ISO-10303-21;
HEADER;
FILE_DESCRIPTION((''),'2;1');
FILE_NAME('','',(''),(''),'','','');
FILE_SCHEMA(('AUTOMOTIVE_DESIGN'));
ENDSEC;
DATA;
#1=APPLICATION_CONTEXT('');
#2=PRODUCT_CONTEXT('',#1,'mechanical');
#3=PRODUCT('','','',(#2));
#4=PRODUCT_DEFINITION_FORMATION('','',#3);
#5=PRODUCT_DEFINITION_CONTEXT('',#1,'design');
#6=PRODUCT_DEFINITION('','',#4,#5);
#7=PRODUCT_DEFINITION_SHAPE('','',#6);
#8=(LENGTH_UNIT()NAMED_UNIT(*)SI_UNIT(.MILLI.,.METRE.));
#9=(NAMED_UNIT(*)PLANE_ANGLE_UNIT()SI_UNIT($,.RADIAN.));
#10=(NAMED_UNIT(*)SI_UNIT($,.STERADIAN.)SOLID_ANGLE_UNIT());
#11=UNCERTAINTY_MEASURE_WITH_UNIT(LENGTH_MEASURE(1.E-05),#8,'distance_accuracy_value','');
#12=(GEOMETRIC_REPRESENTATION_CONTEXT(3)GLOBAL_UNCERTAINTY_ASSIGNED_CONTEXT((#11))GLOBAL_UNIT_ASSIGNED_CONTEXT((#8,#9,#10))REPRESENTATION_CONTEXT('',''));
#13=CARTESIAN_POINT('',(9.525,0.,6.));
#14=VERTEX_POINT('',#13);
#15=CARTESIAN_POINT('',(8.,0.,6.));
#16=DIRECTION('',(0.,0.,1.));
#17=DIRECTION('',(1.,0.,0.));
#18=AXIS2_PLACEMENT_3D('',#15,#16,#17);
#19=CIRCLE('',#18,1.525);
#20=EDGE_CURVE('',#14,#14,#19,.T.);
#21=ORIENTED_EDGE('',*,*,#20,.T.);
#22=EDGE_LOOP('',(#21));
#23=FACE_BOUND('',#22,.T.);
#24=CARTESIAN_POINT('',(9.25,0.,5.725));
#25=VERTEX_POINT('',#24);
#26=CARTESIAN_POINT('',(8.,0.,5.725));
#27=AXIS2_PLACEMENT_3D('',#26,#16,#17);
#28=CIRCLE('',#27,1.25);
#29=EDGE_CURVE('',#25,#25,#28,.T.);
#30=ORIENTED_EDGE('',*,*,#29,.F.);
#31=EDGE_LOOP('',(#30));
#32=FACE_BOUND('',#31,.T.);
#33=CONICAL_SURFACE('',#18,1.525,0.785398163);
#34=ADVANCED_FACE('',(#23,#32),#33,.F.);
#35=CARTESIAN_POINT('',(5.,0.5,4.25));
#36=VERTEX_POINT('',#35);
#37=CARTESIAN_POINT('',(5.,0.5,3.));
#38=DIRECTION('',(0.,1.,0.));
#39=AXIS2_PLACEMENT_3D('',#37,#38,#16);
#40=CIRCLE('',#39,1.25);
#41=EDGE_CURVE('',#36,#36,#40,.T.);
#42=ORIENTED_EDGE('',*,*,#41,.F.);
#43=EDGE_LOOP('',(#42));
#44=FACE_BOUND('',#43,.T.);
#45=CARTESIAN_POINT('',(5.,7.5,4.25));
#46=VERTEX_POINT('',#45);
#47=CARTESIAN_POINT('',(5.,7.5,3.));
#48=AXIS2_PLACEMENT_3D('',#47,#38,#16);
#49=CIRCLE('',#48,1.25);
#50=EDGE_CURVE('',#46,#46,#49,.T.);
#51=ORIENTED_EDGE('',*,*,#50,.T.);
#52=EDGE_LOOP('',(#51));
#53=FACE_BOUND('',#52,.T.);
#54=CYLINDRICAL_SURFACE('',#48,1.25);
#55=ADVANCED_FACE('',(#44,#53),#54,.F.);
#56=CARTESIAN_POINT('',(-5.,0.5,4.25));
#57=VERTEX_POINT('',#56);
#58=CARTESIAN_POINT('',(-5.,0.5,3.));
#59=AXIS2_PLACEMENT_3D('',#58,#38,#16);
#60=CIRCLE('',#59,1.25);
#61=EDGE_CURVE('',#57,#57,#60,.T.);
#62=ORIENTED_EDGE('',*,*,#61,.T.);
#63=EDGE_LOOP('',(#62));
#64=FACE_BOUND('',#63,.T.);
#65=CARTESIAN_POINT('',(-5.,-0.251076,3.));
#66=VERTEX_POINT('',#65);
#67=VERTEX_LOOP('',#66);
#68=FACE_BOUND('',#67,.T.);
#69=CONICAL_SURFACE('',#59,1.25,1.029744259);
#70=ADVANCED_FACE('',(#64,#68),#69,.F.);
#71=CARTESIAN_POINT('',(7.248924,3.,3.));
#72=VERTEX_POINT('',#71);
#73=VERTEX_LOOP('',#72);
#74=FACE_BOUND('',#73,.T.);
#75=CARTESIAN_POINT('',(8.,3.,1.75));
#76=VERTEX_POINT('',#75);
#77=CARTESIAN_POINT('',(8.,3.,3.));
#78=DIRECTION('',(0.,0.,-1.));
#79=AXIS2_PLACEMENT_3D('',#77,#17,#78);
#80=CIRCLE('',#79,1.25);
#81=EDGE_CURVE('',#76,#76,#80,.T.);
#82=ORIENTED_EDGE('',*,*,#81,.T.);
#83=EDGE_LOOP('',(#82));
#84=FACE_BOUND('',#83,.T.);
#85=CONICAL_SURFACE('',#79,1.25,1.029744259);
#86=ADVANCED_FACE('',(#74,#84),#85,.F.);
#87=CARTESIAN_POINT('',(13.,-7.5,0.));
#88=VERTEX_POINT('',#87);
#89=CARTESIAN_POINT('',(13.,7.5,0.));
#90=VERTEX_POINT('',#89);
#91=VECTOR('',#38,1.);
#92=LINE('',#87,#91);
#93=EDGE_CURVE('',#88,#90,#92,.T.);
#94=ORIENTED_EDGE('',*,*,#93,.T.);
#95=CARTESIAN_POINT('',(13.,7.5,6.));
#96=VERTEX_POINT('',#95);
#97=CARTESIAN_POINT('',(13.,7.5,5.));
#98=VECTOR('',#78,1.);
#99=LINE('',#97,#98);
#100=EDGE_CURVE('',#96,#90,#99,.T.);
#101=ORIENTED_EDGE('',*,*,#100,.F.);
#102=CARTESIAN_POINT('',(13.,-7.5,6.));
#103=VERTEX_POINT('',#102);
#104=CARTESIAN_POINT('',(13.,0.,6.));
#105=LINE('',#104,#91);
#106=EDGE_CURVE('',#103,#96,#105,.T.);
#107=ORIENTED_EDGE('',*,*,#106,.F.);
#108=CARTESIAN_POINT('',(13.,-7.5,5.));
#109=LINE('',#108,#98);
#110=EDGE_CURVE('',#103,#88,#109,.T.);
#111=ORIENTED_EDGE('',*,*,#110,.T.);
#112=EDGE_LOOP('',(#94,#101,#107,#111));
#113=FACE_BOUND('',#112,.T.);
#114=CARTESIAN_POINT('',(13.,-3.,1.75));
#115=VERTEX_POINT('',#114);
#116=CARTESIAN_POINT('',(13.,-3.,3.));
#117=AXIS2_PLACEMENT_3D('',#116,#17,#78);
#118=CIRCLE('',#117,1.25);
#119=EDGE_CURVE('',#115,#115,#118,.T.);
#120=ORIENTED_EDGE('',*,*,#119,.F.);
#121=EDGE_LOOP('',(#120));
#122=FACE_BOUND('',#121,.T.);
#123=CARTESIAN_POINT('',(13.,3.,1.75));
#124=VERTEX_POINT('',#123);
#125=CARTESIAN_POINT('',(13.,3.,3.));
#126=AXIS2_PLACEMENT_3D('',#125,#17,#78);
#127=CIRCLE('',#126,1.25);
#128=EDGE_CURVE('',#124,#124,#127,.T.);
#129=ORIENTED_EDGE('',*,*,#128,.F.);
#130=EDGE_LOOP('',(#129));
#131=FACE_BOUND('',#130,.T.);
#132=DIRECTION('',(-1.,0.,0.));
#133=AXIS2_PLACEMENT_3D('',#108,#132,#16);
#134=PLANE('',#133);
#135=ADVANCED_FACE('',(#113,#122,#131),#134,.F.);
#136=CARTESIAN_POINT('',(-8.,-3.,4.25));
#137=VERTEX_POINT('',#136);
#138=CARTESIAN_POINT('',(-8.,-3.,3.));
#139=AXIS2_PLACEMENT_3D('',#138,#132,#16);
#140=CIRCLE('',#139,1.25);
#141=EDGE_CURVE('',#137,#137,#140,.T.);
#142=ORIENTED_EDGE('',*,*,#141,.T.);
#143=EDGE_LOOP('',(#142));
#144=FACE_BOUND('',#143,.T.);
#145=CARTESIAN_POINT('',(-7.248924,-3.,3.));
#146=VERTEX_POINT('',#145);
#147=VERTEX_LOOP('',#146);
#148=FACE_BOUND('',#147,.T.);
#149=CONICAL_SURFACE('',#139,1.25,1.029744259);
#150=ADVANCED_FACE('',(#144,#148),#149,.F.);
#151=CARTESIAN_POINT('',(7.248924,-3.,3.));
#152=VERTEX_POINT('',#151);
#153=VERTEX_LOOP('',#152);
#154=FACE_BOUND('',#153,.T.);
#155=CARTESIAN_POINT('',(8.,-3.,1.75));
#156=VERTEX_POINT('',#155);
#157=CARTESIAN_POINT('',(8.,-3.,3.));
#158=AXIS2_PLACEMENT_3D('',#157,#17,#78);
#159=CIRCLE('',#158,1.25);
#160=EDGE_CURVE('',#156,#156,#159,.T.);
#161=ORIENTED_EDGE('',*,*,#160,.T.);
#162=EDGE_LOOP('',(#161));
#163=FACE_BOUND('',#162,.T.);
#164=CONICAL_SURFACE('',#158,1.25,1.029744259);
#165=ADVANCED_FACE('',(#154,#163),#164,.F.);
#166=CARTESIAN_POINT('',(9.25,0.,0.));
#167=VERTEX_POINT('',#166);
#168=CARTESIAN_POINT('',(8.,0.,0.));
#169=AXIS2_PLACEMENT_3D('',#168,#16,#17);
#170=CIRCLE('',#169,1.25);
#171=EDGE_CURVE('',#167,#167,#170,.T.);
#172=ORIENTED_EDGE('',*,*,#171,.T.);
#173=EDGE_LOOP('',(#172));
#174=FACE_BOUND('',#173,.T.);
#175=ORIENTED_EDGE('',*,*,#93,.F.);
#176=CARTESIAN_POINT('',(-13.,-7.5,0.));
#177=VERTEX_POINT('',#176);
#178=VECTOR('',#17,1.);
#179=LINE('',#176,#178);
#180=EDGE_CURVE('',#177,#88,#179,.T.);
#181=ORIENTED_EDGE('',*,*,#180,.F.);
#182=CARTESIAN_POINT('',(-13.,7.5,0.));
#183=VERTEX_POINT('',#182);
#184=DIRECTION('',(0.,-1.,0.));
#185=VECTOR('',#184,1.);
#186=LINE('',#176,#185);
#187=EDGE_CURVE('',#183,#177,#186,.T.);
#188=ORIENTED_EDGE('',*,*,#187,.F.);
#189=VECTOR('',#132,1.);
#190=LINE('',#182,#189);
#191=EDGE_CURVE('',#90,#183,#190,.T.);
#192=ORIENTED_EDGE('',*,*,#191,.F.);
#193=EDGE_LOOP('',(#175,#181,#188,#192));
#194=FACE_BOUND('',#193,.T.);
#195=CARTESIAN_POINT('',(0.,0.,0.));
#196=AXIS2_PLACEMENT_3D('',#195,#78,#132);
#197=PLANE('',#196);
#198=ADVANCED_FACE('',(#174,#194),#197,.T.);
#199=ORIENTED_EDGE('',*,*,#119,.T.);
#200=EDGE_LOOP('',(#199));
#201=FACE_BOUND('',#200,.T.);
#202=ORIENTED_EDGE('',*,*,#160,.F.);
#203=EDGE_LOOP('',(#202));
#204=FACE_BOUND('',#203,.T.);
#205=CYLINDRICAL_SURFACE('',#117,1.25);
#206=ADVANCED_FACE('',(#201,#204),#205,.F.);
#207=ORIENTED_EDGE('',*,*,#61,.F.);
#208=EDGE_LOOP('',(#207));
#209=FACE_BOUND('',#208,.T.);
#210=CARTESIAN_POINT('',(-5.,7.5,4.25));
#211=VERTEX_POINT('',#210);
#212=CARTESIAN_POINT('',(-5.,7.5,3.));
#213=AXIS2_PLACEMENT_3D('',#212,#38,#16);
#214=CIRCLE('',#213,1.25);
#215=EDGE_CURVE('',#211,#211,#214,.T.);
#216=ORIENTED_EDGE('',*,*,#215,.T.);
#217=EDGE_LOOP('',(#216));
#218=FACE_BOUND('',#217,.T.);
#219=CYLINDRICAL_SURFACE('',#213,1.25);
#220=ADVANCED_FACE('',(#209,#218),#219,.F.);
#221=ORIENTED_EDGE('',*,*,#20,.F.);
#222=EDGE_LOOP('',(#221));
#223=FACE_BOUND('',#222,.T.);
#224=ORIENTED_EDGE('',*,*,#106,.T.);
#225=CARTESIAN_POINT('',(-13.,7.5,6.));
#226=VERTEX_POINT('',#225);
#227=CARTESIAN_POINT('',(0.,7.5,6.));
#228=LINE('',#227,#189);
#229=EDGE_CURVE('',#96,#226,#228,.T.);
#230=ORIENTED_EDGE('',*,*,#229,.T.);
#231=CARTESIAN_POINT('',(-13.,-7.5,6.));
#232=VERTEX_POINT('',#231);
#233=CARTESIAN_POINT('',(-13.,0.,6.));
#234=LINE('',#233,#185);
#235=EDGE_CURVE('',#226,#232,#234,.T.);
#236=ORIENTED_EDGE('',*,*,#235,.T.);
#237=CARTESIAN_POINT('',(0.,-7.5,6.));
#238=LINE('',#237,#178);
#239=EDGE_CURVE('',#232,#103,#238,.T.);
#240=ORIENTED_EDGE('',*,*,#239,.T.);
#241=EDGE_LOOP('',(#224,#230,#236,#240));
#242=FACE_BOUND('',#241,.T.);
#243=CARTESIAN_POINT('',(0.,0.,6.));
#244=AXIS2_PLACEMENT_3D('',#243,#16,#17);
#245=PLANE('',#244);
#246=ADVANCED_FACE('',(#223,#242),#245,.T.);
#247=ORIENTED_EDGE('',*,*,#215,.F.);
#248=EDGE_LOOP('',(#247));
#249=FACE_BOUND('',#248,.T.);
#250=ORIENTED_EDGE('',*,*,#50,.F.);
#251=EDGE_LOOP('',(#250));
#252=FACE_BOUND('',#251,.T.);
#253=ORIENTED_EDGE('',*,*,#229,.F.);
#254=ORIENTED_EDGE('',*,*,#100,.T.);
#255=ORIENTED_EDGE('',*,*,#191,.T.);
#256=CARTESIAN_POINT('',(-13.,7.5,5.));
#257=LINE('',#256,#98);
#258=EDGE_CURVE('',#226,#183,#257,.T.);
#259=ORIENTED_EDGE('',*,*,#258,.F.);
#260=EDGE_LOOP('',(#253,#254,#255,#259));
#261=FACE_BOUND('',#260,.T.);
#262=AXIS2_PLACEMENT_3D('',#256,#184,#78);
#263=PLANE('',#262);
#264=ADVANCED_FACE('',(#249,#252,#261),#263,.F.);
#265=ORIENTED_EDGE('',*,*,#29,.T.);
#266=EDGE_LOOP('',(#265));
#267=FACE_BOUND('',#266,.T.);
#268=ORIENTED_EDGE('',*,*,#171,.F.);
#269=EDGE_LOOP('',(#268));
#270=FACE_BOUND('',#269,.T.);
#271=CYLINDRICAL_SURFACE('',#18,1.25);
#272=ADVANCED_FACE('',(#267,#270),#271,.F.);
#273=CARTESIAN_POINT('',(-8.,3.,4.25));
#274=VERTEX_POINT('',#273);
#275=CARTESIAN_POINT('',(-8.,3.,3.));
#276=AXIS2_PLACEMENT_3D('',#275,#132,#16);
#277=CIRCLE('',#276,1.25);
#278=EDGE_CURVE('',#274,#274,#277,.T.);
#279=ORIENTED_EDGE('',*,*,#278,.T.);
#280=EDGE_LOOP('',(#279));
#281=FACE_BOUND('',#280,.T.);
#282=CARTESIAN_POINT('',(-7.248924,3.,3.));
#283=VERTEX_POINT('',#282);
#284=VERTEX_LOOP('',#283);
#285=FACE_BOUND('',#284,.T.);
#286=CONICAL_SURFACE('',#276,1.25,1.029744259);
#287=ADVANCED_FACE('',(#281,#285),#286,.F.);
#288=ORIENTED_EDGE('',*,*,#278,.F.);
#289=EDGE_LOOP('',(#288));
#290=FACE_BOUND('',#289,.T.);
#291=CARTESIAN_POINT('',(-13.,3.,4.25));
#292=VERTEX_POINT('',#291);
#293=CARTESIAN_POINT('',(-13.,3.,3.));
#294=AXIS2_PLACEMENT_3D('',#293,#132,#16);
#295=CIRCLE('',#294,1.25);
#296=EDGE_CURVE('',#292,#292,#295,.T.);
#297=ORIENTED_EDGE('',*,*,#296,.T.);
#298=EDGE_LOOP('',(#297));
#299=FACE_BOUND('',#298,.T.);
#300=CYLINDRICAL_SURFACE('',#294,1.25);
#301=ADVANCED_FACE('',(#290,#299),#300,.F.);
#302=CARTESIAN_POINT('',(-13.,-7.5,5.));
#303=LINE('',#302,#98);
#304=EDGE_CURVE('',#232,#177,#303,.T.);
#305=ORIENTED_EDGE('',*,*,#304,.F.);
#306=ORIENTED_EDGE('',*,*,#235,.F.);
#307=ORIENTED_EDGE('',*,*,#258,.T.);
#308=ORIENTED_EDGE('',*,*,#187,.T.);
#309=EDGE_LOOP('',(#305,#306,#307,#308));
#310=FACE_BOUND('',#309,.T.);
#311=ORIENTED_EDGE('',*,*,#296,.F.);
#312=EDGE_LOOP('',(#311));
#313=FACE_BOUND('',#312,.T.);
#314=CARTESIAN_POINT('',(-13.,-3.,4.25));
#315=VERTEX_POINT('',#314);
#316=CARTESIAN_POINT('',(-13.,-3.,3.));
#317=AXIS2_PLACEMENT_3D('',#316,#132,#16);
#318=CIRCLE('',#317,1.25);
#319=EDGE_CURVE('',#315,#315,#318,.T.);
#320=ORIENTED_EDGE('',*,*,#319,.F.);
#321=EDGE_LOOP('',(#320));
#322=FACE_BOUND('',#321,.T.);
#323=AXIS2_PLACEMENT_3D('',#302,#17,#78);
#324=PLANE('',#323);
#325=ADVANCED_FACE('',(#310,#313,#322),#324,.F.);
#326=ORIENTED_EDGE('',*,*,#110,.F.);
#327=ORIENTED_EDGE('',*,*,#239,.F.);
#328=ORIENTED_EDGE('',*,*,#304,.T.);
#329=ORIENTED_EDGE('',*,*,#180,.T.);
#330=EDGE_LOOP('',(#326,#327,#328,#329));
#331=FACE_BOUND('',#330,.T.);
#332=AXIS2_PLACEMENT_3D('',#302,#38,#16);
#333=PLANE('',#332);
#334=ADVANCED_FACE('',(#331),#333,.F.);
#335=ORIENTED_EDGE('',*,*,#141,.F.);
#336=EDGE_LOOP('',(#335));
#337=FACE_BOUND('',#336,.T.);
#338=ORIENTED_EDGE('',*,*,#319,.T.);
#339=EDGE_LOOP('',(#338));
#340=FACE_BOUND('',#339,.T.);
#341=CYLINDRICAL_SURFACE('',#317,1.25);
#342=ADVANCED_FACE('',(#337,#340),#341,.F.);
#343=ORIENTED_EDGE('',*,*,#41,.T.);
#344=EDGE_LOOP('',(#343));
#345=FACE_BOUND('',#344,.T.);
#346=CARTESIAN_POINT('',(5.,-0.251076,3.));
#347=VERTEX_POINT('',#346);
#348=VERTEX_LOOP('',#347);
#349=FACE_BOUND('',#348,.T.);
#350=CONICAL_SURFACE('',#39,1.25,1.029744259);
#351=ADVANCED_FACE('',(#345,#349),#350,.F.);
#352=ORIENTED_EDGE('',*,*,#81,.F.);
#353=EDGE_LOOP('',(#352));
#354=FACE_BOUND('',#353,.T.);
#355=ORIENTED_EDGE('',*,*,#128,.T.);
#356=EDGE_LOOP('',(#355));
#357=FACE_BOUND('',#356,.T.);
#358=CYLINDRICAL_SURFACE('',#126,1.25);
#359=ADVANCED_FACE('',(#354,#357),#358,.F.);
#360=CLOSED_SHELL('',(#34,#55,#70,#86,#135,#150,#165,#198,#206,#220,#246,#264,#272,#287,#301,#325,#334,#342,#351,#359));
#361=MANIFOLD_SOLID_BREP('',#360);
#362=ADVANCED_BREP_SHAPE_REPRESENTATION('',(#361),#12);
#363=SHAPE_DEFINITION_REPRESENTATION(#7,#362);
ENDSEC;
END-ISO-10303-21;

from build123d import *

# Parameters (mm, degrees)
SKETCH_1_W                   = 26
SKETCH_1_H                   = 15
EXTRUDE_1_DEPTH              = 5
SKETCH_2_W                   = 26
SKETCH_2_H                   = 15
EXTRUDE_2_DEPTH              = 1
HOLE_WIZARD_M3_1_AT_2_COUNT  = 2
HOLE_WIZARD_M3_1_AT_2_PITCH  = 6
HOLE_WIZARD_M3_2_D           = 2.5
HOLE_WIZARD_M3_2_DEPTH       = 7
HOLE_WIZARD_M3_2_TIP         = 0.751075774
HOLE_WIZARD_M3_3_D           = 2.5
HOLE_WIZARD_M3_3_CSINK_D     = 3.05
HOLE_WIZARD_M3_3_CSINK_ANGLE = 90


with BuildPart() as part:
    # 草图1 → 凸台-拉伸1 (new body)
    with BuildSketch(Plane.XY):
        Rectangle(SKETCH_1_W, SKETCH_1_H)
    extrude(amount=EXTRUDE_1_DEPTH)

    # 草图2 → 凸台-拉伸2 (add)
    with BuildSketch(Plane.XY.offset(5)):
        Rectangle(SKETCH_2_W, SKETCH_2_H)
    extrude(amount=EXTRUDE_2_DEPTH)

    # 草图4 → M3 螺纹孔1 (revolve, cut)
    with BuildSketch(Plane(origin=(-13, -3, 3), x_dir=(0, 0, 1), z_dir=(0, 1, 0))):
        Polygon((0, 0), (0, 5.751075774), (1.25, 5), (1.25, 0), align=None)
    hole_wizard_m3_1 = revolve(axis=Axis((-19.35, -3, 3), (1, 0, 0)), mode=Mode.SUBTRACT)

    # M3 螺纹孔1 at 2: M3 螺纹孔1 ×2
    with Locations(*[(0, i * HOLE_WIZARD_M3_1_AT_2_PITCH, 0) for i in range(1, HOLE_WIZARD_M3_1_AT_2_COUNT)]):
        add(hole_wizard_m3_1, mode=Mode.SUBTRACT)

    # 镜向1: M3 螺纹孔1 across plane
    add(hole_wizard_m3_1.mirror(Plane(origin=(0, 0, 0), x_dir=(0, 0, 1), z_dir=(1, 0, 0))), mode=Mode.SUBTRACT)

    # 镜向1 copy 1 sketch → 镜向1 copy 1 (revolve, cut)
    with BuildSketch(Plane(origin=(13, 3, 3), x_dir=(0, 0, 1), z_dir=(0, 1, 0))):
        Polygon((0, 0), (0, -5.751075774), (1.25, -5), (1.25, 0), align=None)
    revolve(axis=Axis((19.35, 3, 3), (1, 0, 0)), mode=Mode.SUBTRACT)

    # M3 螺纹孔2
    with Locations(Plane(origin=(-5, 7.5, 3), x_dir=(0, 0, 1), z_dir=(0, 1, 0))):
        with Locations((0, 0), (0, 10)):
            Hole(HOLE_WIZARD_M3_2_D / 2, depth=HOLE_WIZARD_M3_2_DEPTH)
            with Locations((0, 0, -(HOLE_WIZARD_M3_2_DEPTH + HOLE_WIZARD_M3_2_TIP / 2))):  # 118° drill point
                Cone(0, HOLE_WIZARD_M3_2_D / 2, HOLE_WIZARD_M3_2_TIP, mode=Mode.SUBTRACT)

    # M3 螺纹孔3 (through all)
    with Locations(Plane.XY.offset(6)):
        with Locations((8, 0)):
            CounterSinkHole(HOLE_WIZARD_M3_3_D / 2, HOLE_WIZARD_M3_3_CSINK_D / 2, counter_sink_angle=HOLE_WIZARD_M3_3_CSINK_ANGLE)


solid = part.part
